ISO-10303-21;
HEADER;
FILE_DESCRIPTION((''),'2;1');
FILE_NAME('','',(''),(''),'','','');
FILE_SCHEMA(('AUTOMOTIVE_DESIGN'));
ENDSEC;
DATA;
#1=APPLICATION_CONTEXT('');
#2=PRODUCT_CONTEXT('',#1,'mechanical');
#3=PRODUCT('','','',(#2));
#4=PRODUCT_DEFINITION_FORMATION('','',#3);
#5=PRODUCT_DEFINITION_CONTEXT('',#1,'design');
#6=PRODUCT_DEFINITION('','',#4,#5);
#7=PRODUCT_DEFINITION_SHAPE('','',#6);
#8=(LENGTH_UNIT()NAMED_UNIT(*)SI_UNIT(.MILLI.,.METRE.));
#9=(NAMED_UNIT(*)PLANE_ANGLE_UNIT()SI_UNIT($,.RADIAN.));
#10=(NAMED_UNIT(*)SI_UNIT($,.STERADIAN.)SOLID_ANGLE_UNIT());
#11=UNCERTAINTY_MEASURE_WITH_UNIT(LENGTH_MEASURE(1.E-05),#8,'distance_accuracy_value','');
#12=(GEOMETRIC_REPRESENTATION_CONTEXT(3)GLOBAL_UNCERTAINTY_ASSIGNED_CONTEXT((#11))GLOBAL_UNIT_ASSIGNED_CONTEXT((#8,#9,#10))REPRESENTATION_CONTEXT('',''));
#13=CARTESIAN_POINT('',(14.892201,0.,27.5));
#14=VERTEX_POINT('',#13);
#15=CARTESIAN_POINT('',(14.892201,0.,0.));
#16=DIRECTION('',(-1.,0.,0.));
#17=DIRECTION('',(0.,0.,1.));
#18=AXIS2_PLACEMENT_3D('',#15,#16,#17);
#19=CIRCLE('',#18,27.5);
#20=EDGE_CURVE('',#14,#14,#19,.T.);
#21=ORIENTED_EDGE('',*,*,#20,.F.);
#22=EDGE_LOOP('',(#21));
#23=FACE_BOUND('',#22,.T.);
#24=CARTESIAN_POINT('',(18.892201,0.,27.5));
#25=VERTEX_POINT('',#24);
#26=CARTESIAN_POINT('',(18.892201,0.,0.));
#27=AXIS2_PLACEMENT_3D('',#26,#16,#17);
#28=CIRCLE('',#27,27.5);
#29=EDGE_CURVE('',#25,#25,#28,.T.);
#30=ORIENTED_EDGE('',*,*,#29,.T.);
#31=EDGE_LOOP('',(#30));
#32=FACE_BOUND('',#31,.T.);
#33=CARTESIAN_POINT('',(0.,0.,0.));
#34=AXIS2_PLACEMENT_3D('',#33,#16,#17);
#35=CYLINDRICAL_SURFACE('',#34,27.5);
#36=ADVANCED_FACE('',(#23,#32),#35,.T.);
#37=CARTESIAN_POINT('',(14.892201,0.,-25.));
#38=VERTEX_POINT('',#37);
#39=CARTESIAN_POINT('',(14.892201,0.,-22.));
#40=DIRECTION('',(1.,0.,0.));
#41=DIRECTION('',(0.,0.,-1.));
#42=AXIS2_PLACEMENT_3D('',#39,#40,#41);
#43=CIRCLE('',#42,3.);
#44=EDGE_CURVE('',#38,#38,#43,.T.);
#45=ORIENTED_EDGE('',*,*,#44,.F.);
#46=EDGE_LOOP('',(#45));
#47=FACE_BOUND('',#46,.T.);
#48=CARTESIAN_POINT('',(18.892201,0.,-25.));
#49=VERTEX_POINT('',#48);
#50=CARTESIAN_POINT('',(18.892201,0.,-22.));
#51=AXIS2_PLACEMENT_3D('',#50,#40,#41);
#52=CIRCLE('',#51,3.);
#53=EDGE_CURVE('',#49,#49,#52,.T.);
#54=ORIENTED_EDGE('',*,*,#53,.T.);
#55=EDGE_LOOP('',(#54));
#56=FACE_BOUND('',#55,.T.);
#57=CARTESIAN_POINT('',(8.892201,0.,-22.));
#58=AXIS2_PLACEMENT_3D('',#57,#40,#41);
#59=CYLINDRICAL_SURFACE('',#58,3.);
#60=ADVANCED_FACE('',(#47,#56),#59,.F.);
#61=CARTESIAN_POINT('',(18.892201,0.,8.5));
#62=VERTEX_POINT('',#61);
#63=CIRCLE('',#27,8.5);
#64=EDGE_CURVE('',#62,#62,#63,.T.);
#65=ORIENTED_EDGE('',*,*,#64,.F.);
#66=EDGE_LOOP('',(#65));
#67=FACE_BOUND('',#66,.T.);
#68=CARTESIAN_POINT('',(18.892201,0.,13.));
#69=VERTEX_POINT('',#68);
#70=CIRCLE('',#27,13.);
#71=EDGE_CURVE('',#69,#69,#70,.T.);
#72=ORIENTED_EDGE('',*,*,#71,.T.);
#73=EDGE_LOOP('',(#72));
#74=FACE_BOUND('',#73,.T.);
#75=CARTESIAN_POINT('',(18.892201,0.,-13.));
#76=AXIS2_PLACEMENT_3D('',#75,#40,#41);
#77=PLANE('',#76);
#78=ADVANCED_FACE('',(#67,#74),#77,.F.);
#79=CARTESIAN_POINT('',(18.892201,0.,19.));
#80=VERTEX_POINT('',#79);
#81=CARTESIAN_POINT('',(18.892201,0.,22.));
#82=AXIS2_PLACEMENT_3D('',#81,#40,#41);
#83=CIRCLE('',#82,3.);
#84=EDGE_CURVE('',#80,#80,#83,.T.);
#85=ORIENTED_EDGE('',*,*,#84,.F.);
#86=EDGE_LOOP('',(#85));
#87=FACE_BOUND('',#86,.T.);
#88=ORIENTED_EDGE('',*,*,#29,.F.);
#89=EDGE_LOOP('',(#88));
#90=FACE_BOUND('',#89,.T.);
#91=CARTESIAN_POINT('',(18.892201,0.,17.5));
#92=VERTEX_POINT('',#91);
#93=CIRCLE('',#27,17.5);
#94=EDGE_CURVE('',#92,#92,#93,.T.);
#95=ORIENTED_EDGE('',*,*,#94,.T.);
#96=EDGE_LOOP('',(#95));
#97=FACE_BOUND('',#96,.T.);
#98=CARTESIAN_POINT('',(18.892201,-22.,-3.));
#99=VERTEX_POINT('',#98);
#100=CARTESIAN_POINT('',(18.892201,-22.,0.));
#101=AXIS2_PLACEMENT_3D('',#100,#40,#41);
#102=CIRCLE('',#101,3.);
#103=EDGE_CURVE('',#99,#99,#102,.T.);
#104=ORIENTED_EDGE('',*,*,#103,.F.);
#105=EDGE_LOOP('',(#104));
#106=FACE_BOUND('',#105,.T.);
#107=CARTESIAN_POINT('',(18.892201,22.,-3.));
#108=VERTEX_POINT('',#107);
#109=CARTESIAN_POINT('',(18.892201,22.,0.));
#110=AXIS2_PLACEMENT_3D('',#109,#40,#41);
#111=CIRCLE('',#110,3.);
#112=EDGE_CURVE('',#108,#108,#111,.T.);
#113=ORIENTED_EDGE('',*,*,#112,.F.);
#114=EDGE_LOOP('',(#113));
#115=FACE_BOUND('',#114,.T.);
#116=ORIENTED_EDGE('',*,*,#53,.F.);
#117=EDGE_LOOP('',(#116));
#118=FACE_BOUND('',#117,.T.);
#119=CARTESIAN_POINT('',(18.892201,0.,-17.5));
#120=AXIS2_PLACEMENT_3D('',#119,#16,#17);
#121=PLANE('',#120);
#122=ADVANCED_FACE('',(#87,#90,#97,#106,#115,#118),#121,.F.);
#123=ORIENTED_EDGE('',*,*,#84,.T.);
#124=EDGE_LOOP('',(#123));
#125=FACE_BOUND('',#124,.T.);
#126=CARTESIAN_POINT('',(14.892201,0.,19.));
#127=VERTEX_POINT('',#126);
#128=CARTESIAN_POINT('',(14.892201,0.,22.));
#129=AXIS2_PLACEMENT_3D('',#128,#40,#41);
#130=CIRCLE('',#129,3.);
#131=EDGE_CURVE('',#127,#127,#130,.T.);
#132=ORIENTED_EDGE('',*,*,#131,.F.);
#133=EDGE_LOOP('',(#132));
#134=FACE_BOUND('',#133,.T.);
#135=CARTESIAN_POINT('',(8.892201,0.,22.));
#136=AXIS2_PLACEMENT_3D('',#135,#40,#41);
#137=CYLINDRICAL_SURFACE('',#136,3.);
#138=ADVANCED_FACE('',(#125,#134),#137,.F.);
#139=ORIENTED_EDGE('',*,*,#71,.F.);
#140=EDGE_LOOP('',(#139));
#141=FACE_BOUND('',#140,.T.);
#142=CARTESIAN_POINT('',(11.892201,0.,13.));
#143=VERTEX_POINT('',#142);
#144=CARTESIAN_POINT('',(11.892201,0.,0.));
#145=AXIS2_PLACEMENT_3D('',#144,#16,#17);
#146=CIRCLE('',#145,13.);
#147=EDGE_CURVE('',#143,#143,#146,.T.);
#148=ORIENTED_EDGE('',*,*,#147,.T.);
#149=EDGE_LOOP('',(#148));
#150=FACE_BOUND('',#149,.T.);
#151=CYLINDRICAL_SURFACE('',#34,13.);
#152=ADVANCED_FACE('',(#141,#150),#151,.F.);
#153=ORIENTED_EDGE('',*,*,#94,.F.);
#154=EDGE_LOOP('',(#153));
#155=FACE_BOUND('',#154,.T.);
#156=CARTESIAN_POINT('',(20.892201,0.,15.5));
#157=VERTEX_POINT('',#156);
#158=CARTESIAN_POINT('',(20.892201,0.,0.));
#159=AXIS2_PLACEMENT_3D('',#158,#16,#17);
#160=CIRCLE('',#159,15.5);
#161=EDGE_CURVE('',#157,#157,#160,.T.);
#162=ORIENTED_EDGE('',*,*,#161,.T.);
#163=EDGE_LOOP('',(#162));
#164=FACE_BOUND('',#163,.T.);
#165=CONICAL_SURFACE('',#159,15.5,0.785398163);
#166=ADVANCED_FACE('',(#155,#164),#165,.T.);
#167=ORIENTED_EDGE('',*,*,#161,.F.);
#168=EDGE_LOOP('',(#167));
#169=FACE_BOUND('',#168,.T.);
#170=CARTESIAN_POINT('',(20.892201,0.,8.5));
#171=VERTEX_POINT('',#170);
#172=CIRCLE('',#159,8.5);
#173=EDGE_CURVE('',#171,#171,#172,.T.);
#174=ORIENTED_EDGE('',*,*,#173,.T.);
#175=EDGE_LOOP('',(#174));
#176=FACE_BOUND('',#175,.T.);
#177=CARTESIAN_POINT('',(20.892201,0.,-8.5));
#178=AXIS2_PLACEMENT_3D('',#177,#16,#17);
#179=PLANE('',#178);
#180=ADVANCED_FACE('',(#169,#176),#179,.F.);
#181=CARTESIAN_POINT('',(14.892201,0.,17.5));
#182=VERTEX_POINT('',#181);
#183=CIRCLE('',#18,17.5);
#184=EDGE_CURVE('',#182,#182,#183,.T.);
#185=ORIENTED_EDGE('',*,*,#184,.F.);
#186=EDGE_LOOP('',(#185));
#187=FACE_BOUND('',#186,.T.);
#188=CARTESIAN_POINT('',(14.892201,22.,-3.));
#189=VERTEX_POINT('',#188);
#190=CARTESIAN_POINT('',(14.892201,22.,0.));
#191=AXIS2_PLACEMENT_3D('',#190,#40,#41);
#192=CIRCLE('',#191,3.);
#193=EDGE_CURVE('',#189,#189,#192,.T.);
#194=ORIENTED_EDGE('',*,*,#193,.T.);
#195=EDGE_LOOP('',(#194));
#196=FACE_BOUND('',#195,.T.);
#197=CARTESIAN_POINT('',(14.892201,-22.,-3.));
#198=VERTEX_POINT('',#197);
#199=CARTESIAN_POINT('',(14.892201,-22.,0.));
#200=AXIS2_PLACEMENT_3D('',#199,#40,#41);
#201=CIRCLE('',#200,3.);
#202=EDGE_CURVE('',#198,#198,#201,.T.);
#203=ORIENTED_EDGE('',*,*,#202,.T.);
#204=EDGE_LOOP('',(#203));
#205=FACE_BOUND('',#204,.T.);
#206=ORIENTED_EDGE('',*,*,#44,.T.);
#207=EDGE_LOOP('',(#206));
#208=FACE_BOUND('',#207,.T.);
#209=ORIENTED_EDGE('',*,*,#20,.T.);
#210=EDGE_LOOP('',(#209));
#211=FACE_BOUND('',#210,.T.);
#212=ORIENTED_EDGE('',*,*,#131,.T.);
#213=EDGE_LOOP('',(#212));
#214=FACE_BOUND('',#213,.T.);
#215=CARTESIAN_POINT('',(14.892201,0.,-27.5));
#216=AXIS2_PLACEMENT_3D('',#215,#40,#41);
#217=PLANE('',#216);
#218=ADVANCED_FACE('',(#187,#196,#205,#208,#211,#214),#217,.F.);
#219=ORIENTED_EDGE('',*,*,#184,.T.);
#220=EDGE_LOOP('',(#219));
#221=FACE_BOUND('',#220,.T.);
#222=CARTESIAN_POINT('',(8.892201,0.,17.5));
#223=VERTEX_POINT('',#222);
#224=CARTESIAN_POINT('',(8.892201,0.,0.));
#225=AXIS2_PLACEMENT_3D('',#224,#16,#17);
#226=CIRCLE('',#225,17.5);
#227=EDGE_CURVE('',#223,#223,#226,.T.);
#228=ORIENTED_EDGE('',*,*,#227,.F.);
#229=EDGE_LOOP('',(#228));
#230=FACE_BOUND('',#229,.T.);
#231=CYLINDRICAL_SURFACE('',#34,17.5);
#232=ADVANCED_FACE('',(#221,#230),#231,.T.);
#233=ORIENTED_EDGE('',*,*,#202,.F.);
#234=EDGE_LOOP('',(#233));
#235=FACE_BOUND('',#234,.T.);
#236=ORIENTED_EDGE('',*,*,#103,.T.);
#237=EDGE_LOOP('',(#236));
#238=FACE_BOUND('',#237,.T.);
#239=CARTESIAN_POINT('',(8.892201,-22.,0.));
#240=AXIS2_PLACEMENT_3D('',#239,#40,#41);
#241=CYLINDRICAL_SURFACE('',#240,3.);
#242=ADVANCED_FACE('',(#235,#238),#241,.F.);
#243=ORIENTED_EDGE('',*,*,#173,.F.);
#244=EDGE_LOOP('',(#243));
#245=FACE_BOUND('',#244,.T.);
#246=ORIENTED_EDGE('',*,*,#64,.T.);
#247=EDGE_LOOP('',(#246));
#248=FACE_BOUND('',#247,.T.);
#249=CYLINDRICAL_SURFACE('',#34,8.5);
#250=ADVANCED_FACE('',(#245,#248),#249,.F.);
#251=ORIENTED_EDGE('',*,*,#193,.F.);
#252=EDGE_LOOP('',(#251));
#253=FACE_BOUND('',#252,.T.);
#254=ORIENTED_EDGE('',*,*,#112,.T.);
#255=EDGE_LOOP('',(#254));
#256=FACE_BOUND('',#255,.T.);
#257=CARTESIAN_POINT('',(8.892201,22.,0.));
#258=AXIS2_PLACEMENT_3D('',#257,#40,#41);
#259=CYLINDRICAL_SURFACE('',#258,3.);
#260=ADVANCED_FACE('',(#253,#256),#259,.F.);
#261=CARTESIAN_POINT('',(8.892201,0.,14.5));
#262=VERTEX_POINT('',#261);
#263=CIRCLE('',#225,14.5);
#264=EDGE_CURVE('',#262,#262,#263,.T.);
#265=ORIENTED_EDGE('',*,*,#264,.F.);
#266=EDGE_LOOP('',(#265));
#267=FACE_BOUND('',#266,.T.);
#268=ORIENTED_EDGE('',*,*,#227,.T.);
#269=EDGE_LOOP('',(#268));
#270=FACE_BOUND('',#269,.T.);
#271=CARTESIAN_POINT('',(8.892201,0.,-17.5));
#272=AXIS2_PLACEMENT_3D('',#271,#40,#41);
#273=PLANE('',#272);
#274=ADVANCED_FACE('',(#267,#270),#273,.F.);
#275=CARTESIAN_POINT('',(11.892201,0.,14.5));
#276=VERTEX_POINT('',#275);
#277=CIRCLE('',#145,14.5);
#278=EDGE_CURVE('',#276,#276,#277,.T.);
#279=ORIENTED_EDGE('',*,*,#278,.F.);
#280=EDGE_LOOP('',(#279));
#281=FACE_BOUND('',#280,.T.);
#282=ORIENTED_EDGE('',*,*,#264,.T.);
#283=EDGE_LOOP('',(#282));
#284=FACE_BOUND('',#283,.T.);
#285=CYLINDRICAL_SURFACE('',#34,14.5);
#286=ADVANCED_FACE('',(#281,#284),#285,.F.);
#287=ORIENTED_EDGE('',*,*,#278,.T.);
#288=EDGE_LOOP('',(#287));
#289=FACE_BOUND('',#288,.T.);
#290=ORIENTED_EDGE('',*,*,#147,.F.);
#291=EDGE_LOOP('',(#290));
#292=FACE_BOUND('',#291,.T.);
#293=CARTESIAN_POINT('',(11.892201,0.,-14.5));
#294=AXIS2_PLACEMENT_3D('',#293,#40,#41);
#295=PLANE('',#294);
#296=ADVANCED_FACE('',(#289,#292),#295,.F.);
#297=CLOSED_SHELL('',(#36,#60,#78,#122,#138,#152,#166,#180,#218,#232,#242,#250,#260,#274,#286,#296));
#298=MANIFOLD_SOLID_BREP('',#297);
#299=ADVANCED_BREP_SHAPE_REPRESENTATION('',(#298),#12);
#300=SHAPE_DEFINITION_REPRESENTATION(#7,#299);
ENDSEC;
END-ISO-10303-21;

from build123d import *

# Parameters (mm, degrees)
SKETCH3_R          = 3
CUT_EXTRUDE1_DEPTH = 41.155946011


with BuildPart() as part:
    # Sketch2 → Revolve1 (revolve)
    with BuildSketch(Plane(origin=(0, 0, 0), x_dir=(1, 0, 0), z_dir=(0, 1, 0)), mode=Mode.PRIVATE) as revolve1_sk:
        Polygon((18.892201274, 8.5), (20.892201274, 8.5), (20.892201274, 15.5), (18.892201274, 17.5), (18.892201274, 27.5), (14.892201274, 27.5), (14.892201274, 17.5), (8.892201274, 17.5), (8.892201274, 14.5), (11.892201274, 14.5), (11.892201274, 13), (18.892201274, 13), align=None)
    revolve(revolve1_sk.sketch.rotate(Axis((0, 0, 0), (1, 0, 0)), 180), axis=Axis((0, 0, 0), (1, 0, 0)))

    # Sketch3 → Cut-Extrude1 (cut, through all)
    with BuildSketch(Plane(origin=(18.892201274, 0, 0), x_dir=(0, 0, -1), z_dir=(1, 0, 0))):
        with Locations((0, 22)):
            Circle(SKETCH3_R)
        with Locations((22, 0)):
            Circle(SKETCH3_R)
        with Locations((0, -22)):
            Circle(SKETCH3_R)
        with Locations((-22, 0)):
            Circle(SKETCH3_R)
    extrude(amount=-CUT_EXTRUDE1_DEPTH, mode=Mode.SUBTRACT)


solid = part.part
